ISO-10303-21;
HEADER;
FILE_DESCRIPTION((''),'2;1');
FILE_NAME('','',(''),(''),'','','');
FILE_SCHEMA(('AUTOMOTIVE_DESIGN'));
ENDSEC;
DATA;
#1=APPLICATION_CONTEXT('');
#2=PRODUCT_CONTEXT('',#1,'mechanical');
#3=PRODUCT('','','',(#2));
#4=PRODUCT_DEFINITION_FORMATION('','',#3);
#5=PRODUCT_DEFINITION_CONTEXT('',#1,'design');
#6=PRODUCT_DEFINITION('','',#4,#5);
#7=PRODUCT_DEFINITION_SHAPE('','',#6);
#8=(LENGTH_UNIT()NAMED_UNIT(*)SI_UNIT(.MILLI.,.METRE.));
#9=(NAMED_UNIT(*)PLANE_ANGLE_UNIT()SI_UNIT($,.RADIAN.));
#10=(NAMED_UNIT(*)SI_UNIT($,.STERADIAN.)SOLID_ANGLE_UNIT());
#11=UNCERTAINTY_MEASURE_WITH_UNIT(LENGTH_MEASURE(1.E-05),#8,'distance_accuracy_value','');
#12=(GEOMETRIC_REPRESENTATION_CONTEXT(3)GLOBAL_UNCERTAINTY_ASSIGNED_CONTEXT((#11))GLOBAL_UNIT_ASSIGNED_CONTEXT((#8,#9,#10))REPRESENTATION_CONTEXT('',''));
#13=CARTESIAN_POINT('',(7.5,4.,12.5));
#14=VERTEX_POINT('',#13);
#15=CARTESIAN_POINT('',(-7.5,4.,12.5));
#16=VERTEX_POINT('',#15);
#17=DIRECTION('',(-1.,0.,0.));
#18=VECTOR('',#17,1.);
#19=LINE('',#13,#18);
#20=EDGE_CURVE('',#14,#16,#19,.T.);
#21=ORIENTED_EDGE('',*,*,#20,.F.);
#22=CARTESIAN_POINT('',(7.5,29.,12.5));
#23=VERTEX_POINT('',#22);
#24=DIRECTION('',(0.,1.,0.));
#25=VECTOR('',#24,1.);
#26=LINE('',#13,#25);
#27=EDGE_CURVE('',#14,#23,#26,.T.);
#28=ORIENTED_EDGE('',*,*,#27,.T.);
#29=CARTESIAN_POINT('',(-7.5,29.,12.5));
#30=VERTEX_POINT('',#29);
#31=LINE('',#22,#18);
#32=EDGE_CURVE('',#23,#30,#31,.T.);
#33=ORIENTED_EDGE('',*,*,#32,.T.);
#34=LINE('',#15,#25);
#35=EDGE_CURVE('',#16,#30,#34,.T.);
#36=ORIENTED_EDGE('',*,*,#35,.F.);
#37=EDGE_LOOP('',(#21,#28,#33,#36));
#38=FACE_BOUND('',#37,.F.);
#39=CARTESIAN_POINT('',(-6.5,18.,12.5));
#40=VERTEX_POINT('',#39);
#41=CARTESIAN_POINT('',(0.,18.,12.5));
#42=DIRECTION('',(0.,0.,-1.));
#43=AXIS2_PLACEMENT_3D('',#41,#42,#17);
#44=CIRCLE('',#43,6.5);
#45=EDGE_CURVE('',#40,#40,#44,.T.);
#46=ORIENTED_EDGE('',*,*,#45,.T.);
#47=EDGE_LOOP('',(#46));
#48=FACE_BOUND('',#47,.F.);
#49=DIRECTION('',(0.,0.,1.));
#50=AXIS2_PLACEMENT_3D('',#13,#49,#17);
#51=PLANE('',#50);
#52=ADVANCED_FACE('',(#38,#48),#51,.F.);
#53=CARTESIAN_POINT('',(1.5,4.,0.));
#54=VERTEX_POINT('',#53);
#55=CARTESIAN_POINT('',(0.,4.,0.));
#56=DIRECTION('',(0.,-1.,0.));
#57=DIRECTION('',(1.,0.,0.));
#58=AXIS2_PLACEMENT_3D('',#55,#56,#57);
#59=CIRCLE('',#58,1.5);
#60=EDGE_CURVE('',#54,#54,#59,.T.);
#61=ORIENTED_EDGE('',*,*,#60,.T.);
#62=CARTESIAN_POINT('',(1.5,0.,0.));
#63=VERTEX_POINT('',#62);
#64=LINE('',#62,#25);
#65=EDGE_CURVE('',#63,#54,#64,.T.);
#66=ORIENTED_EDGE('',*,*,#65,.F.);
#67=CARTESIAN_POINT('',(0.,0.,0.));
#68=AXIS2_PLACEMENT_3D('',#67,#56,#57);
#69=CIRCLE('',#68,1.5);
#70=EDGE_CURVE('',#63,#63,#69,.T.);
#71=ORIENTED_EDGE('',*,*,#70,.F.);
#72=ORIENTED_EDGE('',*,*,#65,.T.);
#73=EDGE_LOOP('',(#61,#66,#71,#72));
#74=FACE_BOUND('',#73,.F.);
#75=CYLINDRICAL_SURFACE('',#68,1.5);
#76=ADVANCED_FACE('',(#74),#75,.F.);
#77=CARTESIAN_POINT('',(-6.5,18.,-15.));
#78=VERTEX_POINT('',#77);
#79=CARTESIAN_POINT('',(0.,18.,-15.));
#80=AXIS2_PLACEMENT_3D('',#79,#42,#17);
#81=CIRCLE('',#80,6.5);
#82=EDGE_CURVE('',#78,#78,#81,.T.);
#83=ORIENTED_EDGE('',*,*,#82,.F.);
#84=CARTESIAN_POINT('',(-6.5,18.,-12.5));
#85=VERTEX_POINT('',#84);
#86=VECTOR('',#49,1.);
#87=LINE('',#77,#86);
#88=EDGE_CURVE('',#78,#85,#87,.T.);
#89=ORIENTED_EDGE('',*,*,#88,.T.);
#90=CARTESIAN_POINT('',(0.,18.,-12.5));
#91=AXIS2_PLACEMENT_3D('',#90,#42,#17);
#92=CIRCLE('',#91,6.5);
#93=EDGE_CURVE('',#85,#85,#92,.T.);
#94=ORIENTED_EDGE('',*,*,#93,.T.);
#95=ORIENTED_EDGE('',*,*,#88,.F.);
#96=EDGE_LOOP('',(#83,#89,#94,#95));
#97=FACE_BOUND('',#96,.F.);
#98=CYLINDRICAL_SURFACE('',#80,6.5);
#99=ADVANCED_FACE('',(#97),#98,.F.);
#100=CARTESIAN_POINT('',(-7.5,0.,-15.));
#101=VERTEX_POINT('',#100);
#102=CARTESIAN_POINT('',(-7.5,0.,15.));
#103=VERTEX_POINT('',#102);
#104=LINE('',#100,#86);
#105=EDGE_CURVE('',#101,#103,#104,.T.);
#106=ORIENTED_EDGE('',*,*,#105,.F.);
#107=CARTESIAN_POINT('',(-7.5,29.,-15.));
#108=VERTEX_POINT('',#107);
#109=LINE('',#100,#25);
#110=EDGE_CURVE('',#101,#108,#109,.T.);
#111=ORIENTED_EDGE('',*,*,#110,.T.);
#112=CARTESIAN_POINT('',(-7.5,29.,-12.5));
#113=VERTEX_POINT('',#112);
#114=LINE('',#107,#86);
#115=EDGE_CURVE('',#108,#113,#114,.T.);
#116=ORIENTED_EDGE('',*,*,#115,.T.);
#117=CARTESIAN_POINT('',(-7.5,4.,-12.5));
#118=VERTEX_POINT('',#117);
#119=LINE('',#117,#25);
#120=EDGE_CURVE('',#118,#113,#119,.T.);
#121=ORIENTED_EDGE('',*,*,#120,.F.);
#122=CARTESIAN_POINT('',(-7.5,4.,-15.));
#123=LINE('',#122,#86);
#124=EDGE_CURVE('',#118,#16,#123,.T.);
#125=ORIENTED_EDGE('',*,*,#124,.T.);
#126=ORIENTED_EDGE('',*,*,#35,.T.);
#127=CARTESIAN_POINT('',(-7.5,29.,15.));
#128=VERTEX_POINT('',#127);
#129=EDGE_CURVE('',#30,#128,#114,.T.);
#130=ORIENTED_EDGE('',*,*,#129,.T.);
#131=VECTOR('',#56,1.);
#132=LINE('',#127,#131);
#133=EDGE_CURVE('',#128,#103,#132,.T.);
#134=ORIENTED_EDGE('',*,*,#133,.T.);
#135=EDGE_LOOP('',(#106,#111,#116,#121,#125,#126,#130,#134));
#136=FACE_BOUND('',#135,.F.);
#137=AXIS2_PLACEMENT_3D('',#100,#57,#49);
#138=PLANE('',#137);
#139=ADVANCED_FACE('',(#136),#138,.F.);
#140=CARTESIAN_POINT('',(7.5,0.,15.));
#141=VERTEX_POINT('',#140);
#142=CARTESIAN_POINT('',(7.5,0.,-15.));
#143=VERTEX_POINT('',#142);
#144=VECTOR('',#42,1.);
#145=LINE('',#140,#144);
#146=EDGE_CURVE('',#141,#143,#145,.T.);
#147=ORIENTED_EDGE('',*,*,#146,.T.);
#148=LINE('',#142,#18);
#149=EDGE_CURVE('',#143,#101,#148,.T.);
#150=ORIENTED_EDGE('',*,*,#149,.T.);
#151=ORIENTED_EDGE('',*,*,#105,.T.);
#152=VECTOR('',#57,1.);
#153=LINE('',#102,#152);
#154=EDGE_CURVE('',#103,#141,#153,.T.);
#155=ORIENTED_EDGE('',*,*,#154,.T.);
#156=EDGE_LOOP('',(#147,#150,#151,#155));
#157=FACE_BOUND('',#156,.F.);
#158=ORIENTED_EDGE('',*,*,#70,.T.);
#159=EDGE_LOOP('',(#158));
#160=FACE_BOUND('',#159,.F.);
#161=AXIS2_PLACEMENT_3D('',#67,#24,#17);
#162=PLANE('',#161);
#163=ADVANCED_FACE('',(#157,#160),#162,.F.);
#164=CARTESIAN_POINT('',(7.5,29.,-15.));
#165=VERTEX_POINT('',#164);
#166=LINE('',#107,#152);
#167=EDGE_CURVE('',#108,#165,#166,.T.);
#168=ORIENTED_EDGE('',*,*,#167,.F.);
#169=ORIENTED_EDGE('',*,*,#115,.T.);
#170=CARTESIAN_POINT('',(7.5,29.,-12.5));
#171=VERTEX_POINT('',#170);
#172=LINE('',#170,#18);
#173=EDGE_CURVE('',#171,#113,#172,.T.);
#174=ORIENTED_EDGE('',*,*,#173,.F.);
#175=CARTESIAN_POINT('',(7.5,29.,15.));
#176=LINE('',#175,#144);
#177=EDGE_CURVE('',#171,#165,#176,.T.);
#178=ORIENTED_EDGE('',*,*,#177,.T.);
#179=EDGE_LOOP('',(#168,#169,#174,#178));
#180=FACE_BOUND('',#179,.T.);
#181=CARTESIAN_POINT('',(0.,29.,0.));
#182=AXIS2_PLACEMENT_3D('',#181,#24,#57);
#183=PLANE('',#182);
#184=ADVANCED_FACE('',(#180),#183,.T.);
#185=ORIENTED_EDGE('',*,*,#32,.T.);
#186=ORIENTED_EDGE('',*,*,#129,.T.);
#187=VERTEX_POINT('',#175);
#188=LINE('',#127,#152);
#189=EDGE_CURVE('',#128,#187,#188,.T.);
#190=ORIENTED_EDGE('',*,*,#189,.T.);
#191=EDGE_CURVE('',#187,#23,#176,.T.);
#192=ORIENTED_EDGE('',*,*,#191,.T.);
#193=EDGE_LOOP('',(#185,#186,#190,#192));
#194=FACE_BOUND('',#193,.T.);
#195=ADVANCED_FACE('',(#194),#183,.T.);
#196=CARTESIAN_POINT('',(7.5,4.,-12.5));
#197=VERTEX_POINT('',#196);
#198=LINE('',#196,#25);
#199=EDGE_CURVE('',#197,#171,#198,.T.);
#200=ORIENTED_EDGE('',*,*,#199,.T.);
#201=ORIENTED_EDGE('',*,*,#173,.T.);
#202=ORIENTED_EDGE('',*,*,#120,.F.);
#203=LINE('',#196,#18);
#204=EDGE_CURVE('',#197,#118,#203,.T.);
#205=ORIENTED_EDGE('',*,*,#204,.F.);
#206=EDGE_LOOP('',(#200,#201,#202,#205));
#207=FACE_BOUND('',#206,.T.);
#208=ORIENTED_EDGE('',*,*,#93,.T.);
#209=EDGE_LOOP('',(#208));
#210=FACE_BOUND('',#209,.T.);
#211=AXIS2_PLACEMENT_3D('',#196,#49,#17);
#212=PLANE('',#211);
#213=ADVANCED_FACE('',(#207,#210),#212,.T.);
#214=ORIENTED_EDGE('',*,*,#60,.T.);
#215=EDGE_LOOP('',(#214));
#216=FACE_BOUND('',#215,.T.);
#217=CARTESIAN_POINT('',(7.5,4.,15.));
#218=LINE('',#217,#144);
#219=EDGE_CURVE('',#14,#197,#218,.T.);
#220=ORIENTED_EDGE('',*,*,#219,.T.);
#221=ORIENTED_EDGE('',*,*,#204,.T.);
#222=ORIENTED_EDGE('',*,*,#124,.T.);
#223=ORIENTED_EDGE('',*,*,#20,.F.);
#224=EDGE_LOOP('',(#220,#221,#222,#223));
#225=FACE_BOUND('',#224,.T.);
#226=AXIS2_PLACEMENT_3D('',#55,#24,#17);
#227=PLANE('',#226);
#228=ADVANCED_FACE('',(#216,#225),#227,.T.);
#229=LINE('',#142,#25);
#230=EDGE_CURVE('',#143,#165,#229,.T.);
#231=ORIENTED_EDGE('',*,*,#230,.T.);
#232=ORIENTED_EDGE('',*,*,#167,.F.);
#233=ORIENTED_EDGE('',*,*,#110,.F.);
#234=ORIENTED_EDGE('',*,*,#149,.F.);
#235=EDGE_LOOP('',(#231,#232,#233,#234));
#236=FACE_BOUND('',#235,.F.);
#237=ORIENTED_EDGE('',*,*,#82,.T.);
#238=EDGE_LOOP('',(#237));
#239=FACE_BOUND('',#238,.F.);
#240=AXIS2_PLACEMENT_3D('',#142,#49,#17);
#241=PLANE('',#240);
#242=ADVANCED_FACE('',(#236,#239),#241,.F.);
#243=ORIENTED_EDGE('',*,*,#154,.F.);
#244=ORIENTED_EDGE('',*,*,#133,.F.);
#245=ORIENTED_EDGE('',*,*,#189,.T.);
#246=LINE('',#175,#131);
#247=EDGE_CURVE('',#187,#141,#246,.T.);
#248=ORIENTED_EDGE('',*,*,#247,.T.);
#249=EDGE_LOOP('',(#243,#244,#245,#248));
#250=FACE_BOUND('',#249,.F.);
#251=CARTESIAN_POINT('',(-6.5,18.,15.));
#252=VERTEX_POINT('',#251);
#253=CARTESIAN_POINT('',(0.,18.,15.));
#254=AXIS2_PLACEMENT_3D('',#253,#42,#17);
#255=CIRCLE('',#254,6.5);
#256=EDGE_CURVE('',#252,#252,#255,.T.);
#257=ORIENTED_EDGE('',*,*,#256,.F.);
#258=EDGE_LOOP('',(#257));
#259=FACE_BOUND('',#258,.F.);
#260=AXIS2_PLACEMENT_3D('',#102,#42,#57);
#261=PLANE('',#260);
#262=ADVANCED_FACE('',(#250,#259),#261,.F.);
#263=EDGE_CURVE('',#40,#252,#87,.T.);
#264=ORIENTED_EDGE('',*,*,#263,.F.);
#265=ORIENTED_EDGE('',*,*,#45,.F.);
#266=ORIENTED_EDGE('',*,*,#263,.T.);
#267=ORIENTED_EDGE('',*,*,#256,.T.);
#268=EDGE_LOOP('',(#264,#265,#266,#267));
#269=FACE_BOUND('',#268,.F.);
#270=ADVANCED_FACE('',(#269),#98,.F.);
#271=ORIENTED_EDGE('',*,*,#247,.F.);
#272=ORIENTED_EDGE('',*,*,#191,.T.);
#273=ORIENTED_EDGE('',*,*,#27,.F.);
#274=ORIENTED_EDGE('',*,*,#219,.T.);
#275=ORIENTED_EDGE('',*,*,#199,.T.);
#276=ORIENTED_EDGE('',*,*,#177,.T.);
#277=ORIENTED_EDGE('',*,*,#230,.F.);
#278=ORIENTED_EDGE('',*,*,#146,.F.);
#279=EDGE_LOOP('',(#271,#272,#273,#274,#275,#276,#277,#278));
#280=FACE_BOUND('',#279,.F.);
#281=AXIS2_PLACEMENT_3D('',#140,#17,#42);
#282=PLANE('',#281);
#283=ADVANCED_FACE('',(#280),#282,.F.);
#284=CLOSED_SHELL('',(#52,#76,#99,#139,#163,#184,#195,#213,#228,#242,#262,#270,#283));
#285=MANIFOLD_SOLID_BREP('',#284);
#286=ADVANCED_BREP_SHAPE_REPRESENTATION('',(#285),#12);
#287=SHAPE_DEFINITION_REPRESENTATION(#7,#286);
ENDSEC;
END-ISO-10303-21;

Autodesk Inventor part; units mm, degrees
ref_plane "YZ Plane" through (0, 0, 0) normal (1, 0, 0) x (0, 1, 0)
ref_plane "XZ Plane" through (0, 0, 0) normal (0, 1, 0) x (-1, 0, 0)
ref_plane "XY Plane" through (0, 0, 0) normal (0, 0, 1) x (1, 0, 0)
sketch "Sketch1" plane through (0, 0, 0) normal (0, 1, 0) x (-1, 0, 0)
  line L0 (-7.5, -15) -> (7.5, -15)
  line L1 (7.5, -15) -> (7.5, 15)
  line L2 (7.5, 15) -> (-7.5, 15)
  line L3 (-7.5, 15) -> (-7.5, -15)
  line L4 (-7.5, -15) -> (7.5, 15) construction
  line L5 (7.5, -15) -> (-7.5, 15) construction
  point P0 (0, 0)
  dimension "d0" = 15
  dimension "d1" = 30
extrude "Extrusion1" add sketch "Sketch1" along normal blind 4
sketch "Sketch2" plane through (0, 4, 0) normal (0, 1, 0) x (1, 0, 0)
  line L0 (-7.5, 15) -> (-7.5, -15) projected
  line L1 (7.5, -15) -> (7.5, 15) projected
  line L2 (-7.5, 15) -> (7.5, 15)
  line L3 (7.5, 15) -> (7.5, 12.5)
  line L4 (7.5, 12.5) -> (-7.5, 12.5)
  line L5 (-7.5, 12.5) -> (-7.5, 15)
  line L6 (7.5, 0) -> (0, 0) construction
  line L7 (-7.5, -15) -> (-7.5, 15)
  line L8 (7.5, 15) -> (7.5, -15)
  line L9 (-7.5, -15) -> (7.5, -15)
  line L10 (7.5, -12.5) -> (-7.5, -12.5)
  point P0 (7.5, 15)
  point P1 (7.5, -15)
  point P2 (7.5, -12.5)
  dimension "d4" = 2.5
extrude "Extrusion2" add sketch "Sketch2" along normal blind 25 contours L2 L1 L4 L0 | L10 L1 L9 L0
sketch "Sketch4" plane through (7.5, 0, -15) normal (0, 0, -1) x (-1, 0, 0)
  line L0 (7.5, 0) -> (7.5, 7) construction
  line L1 (0, 0) -> (0, 29) construction
  line L2 (15, 4) -> (15, 29) construction
  line L3 (0, 4) -> (0, 29) construction
  line L4 (15, 7) -> (0, 7) construction
  line L5 (0, 29) -> (15, 29) construction
  line L6 (15, 29) -> (0, 7) construction
  line L7 (0, 29) -> (15, 7) construction
  circle A0 centre (7.5, 18) radius 6.5
  line L8 (7.5, 0) -> (7.5, 18) construction
  line L9 (15, 0) -> (0, 0) construction
  dimension "d12" = 7
  dimension "d13" = 13
  dimension "d14" = 34.287
extrude "Extrusion4" cut sketch "Sketch4" against normal blind 30
sketch "Sketch5" plane through (0, 0, 0) normal (0, -1, 0) x (1, 0, 0)
  line L0 (-7.5, 15) -> (7.5, 15) construction
  line L1 (-7.5, 15) -> (7.5, -15) construction
  line L2 (7.5, 15) -> (-7.5, -15) construction
  circle A0 centre (0, 0) radius 1.5
  dimension "d17" = 3
extrude "Extrusion5" cut sketch "Sketch5" against normal blind 5
properties part number "llanta_1"
